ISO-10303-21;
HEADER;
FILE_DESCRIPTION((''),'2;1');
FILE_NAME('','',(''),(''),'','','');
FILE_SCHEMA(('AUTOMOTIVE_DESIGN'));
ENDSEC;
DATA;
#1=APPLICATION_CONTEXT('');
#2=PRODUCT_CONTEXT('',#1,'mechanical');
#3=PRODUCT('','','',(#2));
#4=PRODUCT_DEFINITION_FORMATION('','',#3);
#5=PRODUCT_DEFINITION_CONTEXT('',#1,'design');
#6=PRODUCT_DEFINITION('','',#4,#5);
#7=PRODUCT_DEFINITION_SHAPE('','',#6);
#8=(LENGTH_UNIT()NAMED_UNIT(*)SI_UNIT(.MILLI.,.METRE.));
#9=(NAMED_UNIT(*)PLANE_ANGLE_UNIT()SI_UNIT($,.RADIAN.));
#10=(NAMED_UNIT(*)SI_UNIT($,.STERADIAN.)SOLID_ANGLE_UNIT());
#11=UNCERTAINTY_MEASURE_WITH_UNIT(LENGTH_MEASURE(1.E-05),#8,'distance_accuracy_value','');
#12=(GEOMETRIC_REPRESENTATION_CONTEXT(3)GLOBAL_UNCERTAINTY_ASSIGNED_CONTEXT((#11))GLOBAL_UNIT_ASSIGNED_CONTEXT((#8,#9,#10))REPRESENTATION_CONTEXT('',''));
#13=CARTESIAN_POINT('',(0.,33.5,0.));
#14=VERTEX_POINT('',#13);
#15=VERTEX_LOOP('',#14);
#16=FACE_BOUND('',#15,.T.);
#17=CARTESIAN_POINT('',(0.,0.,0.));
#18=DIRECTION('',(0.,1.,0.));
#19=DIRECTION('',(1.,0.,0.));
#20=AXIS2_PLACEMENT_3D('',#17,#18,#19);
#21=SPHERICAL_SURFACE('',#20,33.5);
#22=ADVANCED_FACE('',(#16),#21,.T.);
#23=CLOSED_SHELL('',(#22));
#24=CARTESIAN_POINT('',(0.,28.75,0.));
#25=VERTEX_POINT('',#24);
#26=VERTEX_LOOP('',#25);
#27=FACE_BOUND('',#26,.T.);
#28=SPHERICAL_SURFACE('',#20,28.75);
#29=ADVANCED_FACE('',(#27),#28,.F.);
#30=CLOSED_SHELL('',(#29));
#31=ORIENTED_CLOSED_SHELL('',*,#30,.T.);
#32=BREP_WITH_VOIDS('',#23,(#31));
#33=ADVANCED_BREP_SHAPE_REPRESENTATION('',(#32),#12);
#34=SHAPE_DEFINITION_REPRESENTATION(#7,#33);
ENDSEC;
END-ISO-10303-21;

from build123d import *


with BuildPart() as part:
    # Sketch1 → Revolve1 (revolve)
    with BuildSketch(Plane.XY):
        with BuildLine():
            Line((0, 33.5), (0, 28.75))
            ThreePointArc((0, 28.75), (-28.75, 0), (0, -28.75))
            Line((0, -28.75), (0, -33.5))
            ThreePointArc((0, -33.5), (-33.5, 0), (0, 33.5))
        make_face()
    revolve(axis=Axis((0, 105.084210526, 0), (0, -1, 0)))


solid = part.part
